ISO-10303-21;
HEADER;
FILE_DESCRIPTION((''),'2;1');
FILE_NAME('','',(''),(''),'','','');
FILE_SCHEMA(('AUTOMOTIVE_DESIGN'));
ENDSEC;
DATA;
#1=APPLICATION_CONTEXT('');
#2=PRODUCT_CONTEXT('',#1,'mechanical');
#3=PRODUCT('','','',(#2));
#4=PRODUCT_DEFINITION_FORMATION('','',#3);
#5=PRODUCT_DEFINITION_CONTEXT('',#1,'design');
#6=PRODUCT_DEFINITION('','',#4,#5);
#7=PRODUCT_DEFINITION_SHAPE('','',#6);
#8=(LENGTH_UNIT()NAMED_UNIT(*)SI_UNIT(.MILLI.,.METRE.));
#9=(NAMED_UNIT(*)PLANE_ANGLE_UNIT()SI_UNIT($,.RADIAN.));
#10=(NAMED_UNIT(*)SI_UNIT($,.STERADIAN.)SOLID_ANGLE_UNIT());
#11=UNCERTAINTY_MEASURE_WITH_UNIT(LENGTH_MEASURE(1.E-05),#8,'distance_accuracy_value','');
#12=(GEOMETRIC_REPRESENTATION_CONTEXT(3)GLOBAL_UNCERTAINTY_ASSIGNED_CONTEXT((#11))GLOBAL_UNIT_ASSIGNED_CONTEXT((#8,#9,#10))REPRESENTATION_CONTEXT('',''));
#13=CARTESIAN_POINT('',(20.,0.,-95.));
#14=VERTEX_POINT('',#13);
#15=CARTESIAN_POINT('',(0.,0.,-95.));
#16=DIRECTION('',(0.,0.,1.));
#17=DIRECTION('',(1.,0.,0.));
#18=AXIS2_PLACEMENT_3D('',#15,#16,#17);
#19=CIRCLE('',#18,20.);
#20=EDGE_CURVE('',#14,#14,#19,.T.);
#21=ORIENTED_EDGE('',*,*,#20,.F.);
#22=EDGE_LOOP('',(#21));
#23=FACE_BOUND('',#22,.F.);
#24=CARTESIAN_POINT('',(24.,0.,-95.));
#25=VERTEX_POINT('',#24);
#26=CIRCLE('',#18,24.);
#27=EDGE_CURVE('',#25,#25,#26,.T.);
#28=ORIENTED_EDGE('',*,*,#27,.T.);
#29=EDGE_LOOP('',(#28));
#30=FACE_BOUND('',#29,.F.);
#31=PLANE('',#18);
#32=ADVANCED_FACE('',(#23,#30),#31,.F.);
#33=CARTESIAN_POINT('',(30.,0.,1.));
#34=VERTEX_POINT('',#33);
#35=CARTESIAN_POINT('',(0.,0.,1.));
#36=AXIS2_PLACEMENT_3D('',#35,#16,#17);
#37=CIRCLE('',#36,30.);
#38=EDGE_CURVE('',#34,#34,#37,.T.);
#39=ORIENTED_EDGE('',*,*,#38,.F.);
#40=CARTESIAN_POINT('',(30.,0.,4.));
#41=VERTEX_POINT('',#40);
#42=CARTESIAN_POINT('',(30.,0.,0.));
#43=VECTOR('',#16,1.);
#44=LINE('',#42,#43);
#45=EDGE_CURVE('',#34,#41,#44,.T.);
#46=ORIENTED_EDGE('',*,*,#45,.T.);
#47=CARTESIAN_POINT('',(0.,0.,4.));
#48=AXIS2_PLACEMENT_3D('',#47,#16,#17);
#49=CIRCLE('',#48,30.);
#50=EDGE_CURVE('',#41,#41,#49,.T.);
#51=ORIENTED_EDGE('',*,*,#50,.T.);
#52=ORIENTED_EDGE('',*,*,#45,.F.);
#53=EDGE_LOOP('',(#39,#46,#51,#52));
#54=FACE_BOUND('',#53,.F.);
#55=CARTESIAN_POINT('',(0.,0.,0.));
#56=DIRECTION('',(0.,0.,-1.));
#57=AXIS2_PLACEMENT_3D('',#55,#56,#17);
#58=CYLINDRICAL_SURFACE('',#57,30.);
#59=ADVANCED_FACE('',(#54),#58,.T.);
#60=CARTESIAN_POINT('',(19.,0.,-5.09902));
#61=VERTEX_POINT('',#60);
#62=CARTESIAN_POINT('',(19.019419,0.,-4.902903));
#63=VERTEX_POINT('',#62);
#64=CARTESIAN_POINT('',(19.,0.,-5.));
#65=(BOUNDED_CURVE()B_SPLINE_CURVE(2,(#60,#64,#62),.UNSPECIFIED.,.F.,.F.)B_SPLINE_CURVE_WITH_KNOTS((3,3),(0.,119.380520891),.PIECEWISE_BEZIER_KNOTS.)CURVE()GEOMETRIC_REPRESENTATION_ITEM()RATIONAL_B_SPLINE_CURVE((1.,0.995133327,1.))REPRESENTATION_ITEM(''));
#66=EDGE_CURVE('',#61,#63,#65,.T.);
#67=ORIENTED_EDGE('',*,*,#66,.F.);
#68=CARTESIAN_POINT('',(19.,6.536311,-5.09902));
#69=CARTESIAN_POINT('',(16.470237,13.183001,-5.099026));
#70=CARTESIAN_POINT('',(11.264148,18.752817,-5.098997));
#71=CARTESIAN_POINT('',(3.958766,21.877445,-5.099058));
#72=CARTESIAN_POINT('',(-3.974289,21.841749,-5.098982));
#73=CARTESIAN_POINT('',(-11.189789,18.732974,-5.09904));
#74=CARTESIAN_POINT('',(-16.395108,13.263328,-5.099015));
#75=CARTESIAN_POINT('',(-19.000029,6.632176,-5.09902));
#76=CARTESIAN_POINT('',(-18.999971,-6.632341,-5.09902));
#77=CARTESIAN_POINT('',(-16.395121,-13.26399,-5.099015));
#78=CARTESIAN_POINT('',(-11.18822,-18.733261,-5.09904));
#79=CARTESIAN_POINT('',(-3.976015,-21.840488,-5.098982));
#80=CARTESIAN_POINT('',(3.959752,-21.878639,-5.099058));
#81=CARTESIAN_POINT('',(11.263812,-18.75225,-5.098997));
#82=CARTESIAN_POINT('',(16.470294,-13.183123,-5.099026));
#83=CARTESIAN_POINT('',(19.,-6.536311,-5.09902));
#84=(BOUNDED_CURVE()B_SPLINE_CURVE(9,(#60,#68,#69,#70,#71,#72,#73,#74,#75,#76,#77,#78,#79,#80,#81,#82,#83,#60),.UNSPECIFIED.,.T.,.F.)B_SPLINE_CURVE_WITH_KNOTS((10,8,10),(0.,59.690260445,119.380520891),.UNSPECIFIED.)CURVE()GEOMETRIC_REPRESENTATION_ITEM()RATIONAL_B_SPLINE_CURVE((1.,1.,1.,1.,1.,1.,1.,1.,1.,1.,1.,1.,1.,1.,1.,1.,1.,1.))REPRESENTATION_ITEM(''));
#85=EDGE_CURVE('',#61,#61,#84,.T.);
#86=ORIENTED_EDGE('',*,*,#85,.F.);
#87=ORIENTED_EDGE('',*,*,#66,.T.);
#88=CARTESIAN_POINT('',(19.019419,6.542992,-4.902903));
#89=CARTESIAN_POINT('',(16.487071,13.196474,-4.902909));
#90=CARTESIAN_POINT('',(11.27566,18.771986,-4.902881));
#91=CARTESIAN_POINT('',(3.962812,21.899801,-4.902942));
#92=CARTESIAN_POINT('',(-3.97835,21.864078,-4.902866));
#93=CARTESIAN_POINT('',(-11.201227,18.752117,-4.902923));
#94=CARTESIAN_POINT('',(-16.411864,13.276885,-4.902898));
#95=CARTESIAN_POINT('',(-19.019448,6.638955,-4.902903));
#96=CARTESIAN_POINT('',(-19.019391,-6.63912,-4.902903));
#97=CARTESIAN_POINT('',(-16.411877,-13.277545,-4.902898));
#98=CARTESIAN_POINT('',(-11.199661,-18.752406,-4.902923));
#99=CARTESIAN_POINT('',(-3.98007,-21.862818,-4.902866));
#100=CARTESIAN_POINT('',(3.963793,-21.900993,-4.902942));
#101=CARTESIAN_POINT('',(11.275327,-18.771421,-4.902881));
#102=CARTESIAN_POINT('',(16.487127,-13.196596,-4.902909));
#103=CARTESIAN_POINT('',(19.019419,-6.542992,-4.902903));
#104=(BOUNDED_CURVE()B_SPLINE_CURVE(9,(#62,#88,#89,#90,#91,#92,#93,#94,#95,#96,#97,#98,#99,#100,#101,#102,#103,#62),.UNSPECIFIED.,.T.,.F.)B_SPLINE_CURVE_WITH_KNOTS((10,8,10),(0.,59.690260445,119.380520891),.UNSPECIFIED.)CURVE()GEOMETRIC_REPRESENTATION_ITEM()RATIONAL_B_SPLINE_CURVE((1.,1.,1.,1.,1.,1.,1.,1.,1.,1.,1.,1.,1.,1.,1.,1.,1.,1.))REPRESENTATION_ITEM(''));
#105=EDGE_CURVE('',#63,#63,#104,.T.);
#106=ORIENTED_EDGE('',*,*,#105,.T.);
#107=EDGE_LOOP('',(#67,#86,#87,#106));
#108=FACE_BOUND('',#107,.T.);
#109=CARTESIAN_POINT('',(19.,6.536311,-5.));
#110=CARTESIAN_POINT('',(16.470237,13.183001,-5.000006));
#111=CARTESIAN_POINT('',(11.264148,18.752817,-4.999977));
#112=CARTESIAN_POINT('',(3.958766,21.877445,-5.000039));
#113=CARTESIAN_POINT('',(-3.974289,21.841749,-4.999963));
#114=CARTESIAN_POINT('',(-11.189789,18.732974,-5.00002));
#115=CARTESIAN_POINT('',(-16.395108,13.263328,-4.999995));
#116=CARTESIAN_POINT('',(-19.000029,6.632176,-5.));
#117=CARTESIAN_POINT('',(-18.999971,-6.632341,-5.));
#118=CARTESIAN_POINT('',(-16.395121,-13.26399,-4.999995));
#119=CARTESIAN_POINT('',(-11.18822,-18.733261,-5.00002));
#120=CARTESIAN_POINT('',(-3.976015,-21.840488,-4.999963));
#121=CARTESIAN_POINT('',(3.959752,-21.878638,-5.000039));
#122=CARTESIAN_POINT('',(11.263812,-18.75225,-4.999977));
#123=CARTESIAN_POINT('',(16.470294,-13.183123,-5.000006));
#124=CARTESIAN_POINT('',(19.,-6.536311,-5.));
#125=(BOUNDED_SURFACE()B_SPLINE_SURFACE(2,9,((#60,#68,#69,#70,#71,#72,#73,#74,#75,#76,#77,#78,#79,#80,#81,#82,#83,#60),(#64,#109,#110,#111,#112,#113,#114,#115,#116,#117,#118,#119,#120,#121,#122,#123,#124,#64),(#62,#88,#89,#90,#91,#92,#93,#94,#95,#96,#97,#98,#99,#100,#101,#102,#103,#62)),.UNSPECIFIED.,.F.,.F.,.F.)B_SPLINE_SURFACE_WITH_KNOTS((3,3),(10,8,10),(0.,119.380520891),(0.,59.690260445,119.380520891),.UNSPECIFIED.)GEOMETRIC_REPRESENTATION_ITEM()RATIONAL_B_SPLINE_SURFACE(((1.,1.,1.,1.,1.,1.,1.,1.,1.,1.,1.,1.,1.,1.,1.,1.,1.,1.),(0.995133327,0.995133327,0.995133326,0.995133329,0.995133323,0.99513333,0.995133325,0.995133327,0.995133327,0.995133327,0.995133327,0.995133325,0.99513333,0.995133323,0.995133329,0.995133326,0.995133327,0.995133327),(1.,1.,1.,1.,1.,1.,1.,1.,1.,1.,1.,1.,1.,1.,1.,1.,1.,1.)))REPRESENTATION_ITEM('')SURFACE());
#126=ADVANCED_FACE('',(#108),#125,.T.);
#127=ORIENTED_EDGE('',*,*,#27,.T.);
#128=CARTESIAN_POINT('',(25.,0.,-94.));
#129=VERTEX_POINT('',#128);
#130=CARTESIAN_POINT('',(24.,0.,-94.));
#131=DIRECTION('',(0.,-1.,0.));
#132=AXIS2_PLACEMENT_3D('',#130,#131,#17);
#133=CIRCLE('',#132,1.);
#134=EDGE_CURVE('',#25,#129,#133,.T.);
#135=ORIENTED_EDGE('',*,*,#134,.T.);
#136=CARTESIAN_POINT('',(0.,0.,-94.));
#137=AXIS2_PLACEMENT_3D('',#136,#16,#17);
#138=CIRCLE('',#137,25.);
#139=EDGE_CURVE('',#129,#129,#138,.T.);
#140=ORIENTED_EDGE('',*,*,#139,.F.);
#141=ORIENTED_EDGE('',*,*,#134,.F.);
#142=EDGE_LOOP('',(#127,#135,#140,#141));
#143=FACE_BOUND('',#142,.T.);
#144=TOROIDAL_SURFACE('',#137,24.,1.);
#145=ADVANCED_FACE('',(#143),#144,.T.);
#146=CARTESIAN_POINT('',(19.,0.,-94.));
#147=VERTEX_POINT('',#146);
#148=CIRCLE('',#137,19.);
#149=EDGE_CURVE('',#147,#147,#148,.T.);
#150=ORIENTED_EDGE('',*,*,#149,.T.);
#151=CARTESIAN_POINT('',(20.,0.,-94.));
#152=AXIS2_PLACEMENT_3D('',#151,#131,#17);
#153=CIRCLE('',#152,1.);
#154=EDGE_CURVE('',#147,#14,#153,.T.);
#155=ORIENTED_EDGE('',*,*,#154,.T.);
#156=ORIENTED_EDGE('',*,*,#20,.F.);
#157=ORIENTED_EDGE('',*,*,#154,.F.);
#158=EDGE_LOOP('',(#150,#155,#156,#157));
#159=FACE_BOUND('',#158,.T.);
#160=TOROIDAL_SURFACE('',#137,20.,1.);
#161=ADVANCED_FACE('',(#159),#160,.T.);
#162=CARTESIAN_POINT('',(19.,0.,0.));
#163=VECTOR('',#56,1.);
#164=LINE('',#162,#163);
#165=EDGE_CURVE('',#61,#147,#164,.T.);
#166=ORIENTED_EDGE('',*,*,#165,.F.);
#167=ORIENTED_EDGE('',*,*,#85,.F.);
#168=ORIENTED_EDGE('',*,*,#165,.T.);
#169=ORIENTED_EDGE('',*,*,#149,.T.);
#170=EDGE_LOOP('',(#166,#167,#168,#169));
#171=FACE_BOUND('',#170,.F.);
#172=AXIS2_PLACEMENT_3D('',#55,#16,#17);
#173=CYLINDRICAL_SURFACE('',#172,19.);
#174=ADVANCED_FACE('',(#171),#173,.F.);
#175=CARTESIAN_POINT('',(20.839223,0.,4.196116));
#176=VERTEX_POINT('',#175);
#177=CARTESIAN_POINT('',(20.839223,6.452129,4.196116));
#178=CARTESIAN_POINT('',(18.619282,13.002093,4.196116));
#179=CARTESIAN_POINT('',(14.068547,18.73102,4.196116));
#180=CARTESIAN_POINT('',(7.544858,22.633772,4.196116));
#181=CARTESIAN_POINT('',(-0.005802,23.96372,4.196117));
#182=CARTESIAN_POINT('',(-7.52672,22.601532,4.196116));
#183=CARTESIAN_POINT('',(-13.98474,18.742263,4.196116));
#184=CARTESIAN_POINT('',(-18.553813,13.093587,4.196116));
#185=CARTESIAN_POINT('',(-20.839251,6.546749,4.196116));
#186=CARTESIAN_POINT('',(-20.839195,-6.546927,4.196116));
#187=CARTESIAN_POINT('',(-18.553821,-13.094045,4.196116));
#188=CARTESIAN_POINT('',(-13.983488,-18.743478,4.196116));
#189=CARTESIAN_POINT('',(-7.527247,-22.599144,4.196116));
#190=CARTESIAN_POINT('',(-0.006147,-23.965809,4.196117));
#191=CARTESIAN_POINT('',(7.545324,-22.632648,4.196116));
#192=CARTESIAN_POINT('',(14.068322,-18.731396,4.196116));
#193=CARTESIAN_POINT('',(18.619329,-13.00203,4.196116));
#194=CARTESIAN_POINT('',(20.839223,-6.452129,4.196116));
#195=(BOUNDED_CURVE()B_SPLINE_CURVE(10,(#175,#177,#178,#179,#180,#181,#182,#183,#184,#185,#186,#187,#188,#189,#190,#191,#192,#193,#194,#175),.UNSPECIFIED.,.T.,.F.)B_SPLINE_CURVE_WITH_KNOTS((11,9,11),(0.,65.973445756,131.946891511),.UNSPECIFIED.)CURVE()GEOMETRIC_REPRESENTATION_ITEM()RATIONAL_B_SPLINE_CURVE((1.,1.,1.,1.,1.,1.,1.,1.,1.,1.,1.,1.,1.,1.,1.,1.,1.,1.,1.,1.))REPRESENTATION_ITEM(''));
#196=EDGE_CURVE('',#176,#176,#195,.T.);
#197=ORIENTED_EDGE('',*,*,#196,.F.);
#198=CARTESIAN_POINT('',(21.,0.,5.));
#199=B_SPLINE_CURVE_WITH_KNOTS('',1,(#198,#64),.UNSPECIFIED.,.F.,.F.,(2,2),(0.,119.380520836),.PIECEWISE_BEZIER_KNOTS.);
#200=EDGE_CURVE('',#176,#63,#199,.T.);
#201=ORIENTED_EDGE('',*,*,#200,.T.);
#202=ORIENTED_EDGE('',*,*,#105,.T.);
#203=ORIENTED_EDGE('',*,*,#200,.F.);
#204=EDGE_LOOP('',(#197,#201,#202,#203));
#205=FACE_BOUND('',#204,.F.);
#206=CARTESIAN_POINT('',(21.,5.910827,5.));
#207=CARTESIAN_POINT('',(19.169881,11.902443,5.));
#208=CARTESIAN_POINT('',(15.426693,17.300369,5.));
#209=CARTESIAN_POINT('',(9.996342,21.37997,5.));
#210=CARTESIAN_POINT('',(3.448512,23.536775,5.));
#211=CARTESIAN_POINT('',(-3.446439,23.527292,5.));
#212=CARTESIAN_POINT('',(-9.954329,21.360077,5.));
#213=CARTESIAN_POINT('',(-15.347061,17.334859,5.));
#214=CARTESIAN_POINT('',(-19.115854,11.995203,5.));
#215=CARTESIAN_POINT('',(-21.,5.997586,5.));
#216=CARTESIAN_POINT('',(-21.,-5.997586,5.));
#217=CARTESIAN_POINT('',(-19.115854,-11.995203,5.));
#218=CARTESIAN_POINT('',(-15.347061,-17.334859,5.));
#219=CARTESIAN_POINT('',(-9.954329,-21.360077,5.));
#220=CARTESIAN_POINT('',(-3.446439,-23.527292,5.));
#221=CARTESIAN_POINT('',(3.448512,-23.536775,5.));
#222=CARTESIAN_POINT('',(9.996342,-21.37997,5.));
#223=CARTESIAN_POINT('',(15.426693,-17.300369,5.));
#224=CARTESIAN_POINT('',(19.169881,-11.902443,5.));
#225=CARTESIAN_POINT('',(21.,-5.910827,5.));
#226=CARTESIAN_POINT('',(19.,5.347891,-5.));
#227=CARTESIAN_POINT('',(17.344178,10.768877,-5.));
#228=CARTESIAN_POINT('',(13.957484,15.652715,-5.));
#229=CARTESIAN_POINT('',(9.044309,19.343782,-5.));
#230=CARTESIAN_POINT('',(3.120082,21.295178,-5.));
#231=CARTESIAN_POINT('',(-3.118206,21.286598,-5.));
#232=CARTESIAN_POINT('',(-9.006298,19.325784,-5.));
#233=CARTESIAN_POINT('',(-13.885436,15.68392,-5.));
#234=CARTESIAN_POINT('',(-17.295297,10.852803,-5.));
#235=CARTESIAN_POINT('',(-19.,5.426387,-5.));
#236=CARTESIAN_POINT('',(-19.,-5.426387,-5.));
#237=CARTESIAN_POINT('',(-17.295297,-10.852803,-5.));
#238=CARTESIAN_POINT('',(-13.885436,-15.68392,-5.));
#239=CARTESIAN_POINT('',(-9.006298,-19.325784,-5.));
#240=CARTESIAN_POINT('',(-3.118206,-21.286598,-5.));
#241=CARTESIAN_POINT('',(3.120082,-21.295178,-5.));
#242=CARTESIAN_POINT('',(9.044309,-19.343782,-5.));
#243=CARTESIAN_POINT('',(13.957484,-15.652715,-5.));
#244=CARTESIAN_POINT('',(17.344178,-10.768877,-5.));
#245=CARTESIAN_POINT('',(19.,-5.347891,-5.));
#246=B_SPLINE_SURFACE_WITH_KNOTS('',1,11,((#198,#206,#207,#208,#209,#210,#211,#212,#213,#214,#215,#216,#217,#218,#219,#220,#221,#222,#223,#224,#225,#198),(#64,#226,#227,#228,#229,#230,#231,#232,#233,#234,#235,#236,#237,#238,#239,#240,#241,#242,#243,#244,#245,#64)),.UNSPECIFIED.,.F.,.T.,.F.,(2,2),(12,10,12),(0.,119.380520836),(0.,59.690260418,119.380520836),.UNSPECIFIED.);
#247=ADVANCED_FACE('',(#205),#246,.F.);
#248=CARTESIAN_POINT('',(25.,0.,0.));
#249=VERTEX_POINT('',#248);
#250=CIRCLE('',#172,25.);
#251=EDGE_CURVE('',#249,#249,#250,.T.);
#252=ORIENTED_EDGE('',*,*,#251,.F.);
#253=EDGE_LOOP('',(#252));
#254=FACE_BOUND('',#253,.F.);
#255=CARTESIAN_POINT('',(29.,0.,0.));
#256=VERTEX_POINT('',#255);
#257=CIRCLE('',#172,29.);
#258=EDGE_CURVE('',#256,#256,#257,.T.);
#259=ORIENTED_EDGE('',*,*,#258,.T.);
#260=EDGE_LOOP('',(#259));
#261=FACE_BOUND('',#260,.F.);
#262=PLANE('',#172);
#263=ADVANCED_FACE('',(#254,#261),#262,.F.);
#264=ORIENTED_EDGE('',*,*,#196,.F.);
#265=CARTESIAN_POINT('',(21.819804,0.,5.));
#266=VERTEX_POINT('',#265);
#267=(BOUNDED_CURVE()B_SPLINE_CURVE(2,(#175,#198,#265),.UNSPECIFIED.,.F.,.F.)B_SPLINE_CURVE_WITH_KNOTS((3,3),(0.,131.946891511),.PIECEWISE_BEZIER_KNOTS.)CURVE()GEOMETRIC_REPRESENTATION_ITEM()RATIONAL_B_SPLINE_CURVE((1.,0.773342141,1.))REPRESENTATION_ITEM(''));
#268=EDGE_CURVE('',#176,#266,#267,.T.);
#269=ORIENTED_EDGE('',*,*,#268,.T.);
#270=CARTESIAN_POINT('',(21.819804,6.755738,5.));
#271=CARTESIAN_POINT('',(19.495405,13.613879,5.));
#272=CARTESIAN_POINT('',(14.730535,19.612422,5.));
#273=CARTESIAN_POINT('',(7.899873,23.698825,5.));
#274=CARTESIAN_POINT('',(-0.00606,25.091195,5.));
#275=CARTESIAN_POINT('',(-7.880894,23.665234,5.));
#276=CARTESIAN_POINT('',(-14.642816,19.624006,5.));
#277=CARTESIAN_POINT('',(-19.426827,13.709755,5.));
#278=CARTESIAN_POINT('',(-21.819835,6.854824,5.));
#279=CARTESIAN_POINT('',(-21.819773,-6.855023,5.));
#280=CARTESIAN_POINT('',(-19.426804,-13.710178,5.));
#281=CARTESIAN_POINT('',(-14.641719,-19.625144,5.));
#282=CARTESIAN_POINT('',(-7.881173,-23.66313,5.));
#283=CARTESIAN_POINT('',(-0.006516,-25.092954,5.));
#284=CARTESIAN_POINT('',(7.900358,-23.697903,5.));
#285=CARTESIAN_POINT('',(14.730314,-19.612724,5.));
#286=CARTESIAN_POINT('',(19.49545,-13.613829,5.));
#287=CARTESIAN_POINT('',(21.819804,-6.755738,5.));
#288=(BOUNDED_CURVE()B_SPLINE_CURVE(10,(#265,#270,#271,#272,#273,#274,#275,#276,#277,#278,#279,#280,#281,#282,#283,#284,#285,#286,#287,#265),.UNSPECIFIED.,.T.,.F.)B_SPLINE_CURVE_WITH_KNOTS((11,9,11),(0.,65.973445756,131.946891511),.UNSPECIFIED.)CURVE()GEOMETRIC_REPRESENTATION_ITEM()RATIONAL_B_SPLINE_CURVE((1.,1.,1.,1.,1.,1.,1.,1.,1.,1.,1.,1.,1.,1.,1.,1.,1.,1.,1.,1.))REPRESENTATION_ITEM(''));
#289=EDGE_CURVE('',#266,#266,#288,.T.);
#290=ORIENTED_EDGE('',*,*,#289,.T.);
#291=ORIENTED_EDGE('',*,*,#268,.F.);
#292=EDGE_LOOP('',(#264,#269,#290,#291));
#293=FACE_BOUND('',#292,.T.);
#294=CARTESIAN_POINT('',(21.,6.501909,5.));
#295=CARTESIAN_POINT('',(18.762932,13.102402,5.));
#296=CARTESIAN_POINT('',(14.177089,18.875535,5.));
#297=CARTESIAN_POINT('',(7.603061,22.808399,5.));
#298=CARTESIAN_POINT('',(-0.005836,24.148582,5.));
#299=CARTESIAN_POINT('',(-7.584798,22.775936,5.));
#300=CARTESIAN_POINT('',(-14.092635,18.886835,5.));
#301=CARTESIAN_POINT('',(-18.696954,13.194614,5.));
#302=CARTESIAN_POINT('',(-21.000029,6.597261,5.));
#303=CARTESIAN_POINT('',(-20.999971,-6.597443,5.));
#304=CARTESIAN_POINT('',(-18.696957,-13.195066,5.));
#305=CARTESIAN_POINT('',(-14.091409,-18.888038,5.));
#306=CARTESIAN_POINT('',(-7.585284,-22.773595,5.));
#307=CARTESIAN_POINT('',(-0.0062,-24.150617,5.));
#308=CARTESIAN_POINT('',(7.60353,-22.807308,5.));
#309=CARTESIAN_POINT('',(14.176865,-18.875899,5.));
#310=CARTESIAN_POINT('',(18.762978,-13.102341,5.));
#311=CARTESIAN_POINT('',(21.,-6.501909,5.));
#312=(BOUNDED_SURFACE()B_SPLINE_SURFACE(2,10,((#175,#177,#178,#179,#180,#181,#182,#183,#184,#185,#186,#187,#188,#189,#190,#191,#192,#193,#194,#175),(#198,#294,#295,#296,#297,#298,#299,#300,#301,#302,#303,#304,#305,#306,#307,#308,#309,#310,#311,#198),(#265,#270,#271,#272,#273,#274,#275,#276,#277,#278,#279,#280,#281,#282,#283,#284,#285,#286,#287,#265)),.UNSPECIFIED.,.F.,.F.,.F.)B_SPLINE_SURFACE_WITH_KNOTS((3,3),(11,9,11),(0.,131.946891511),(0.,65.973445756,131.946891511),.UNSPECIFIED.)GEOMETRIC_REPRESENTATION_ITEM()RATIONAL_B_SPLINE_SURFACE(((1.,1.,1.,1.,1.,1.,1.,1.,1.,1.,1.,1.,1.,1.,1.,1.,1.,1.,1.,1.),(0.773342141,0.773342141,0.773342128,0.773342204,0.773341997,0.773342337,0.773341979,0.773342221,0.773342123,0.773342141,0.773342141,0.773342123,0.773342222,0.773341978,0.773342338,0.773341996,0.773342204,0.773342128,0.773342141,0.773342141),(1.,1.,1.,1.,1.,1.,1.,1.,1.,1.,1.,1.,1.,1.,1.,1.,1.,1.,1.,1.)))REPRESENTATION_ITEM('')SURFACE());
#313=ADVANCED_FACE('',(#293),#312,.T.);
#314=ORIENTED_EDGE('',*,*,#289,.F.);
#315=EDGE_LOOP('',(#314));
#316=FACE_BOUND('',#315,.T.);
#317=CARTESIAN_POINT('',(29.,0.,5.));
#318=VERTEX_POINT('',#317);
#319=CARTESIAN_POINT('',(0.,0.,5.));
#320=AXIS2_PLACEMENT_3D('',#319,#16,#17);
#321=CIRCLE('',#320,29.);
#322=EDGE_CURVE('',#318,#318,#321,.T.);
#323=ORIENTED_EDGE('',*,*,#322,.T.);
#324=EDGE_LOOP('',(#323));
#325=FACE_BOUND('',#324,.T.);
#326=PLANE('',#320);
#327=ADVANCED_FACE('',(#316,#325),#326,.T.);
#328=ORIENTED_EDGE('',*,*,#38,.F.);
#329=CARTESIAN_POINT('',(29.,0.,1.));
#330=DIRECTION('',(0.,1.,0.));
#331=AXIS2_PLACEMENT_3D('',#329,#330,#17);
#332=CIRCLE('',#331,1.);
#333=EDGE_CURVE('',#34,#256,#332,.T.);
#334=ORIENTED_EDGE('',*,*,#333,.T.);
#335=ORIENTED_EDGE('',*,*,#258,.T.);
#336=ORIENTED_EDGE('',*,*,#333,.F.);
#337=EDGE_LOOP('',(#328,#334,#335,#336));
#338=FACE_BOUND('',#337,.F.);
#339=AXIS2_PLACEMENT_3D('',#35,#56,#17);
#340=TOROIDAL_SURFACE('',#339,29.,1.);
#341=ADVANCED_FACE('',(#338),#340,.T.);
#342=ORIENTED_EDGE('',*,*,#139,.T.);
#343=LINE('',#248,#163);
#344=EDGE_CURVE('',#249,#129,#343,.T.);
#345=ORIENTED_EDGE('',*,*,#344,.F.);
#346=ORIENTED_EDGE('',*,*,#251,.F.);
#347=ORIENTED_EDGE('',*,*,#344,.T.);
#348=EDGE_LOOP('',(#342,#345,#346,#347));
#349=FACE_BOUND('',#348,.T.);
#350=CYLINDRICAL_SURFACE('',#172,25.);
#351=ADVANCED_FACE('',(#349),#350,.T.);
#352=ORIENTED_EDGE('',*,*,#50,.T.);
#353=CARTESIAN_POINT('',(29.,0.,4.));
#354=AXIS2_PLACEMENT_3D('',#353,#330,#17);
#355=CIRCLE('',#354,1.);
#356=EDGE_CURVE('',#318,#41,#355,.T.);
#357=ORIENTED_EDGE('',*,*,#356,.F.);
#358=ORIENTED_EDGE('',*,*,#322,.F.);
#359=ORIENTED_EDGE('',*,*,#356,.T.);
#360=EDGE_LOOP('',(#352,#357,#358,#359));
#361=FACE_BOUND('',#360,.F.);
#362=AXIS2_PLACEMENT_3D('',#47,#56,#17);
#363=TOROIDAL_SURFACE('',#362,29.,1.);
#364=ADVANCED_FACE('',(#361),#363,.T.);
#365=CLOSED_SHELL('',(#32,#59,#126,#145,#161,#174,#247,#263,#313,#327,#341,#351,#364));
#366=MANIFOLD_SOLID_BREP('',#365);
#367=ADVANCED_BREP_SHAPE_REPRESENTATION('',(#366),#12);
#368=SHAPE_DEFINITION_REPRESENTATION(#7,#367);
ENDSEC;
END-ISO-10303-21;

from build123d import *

# Parameters (mm, degrees)
F0_R     = 30
F0_R_2   = 25
F0_R_3   = 19
F2_DEPTH = 5
F3_DEPTH = 95
F4_SIZE2 = 10
F4_SIZE  = 2
F5_R     = 1


with BuildPart() as f2:
    # F0 (on Top) → F2 (new body, through all)
    with BuildSketch(Plane.XY):
        Circle(F0_R)
        Circle(F0_R_2, mode=Mode.SUBTRACT)
        Circle(F0_R_2)
        Circle(F0_R_3, mode=Mode.SUBTRACT)
    extrude(amount=F2_DEPTH)

    # F0 (on Top) → F3 (join, through all)
    with BuildSketch(Plane.XY):
        Circle(F0_R_2)
        Circle(F0_R_3, mode=Mode.SUBTRACT)
    extrude(amount=-F3_DEPTH)

    # F4
    f4_edges = [f2.edges().sort_by_distance(p)[0] for p in [
        (-19, 0, 5),
    ]]
    f4_side = f2.faces().sort_by_distance((-19.848528, 0, 5))[0]
    chamfer(f4_edges, length=F4_SIZE, length2=F4_SIZE2, reference=f4_side)

    # F5
    f5_edges = [f2.edges().sort_by_distance(p)[0] for p in [
        (-30, 0, 5),
        (-30, 0, 0),
        (-25, 0, -95),
        (-19, 0, -95),
        (-21, 0, 5),
        (-19, 0, -5),
    ]]
    fillet(f5_edges, radius=F5_R)


solid = f2.part
